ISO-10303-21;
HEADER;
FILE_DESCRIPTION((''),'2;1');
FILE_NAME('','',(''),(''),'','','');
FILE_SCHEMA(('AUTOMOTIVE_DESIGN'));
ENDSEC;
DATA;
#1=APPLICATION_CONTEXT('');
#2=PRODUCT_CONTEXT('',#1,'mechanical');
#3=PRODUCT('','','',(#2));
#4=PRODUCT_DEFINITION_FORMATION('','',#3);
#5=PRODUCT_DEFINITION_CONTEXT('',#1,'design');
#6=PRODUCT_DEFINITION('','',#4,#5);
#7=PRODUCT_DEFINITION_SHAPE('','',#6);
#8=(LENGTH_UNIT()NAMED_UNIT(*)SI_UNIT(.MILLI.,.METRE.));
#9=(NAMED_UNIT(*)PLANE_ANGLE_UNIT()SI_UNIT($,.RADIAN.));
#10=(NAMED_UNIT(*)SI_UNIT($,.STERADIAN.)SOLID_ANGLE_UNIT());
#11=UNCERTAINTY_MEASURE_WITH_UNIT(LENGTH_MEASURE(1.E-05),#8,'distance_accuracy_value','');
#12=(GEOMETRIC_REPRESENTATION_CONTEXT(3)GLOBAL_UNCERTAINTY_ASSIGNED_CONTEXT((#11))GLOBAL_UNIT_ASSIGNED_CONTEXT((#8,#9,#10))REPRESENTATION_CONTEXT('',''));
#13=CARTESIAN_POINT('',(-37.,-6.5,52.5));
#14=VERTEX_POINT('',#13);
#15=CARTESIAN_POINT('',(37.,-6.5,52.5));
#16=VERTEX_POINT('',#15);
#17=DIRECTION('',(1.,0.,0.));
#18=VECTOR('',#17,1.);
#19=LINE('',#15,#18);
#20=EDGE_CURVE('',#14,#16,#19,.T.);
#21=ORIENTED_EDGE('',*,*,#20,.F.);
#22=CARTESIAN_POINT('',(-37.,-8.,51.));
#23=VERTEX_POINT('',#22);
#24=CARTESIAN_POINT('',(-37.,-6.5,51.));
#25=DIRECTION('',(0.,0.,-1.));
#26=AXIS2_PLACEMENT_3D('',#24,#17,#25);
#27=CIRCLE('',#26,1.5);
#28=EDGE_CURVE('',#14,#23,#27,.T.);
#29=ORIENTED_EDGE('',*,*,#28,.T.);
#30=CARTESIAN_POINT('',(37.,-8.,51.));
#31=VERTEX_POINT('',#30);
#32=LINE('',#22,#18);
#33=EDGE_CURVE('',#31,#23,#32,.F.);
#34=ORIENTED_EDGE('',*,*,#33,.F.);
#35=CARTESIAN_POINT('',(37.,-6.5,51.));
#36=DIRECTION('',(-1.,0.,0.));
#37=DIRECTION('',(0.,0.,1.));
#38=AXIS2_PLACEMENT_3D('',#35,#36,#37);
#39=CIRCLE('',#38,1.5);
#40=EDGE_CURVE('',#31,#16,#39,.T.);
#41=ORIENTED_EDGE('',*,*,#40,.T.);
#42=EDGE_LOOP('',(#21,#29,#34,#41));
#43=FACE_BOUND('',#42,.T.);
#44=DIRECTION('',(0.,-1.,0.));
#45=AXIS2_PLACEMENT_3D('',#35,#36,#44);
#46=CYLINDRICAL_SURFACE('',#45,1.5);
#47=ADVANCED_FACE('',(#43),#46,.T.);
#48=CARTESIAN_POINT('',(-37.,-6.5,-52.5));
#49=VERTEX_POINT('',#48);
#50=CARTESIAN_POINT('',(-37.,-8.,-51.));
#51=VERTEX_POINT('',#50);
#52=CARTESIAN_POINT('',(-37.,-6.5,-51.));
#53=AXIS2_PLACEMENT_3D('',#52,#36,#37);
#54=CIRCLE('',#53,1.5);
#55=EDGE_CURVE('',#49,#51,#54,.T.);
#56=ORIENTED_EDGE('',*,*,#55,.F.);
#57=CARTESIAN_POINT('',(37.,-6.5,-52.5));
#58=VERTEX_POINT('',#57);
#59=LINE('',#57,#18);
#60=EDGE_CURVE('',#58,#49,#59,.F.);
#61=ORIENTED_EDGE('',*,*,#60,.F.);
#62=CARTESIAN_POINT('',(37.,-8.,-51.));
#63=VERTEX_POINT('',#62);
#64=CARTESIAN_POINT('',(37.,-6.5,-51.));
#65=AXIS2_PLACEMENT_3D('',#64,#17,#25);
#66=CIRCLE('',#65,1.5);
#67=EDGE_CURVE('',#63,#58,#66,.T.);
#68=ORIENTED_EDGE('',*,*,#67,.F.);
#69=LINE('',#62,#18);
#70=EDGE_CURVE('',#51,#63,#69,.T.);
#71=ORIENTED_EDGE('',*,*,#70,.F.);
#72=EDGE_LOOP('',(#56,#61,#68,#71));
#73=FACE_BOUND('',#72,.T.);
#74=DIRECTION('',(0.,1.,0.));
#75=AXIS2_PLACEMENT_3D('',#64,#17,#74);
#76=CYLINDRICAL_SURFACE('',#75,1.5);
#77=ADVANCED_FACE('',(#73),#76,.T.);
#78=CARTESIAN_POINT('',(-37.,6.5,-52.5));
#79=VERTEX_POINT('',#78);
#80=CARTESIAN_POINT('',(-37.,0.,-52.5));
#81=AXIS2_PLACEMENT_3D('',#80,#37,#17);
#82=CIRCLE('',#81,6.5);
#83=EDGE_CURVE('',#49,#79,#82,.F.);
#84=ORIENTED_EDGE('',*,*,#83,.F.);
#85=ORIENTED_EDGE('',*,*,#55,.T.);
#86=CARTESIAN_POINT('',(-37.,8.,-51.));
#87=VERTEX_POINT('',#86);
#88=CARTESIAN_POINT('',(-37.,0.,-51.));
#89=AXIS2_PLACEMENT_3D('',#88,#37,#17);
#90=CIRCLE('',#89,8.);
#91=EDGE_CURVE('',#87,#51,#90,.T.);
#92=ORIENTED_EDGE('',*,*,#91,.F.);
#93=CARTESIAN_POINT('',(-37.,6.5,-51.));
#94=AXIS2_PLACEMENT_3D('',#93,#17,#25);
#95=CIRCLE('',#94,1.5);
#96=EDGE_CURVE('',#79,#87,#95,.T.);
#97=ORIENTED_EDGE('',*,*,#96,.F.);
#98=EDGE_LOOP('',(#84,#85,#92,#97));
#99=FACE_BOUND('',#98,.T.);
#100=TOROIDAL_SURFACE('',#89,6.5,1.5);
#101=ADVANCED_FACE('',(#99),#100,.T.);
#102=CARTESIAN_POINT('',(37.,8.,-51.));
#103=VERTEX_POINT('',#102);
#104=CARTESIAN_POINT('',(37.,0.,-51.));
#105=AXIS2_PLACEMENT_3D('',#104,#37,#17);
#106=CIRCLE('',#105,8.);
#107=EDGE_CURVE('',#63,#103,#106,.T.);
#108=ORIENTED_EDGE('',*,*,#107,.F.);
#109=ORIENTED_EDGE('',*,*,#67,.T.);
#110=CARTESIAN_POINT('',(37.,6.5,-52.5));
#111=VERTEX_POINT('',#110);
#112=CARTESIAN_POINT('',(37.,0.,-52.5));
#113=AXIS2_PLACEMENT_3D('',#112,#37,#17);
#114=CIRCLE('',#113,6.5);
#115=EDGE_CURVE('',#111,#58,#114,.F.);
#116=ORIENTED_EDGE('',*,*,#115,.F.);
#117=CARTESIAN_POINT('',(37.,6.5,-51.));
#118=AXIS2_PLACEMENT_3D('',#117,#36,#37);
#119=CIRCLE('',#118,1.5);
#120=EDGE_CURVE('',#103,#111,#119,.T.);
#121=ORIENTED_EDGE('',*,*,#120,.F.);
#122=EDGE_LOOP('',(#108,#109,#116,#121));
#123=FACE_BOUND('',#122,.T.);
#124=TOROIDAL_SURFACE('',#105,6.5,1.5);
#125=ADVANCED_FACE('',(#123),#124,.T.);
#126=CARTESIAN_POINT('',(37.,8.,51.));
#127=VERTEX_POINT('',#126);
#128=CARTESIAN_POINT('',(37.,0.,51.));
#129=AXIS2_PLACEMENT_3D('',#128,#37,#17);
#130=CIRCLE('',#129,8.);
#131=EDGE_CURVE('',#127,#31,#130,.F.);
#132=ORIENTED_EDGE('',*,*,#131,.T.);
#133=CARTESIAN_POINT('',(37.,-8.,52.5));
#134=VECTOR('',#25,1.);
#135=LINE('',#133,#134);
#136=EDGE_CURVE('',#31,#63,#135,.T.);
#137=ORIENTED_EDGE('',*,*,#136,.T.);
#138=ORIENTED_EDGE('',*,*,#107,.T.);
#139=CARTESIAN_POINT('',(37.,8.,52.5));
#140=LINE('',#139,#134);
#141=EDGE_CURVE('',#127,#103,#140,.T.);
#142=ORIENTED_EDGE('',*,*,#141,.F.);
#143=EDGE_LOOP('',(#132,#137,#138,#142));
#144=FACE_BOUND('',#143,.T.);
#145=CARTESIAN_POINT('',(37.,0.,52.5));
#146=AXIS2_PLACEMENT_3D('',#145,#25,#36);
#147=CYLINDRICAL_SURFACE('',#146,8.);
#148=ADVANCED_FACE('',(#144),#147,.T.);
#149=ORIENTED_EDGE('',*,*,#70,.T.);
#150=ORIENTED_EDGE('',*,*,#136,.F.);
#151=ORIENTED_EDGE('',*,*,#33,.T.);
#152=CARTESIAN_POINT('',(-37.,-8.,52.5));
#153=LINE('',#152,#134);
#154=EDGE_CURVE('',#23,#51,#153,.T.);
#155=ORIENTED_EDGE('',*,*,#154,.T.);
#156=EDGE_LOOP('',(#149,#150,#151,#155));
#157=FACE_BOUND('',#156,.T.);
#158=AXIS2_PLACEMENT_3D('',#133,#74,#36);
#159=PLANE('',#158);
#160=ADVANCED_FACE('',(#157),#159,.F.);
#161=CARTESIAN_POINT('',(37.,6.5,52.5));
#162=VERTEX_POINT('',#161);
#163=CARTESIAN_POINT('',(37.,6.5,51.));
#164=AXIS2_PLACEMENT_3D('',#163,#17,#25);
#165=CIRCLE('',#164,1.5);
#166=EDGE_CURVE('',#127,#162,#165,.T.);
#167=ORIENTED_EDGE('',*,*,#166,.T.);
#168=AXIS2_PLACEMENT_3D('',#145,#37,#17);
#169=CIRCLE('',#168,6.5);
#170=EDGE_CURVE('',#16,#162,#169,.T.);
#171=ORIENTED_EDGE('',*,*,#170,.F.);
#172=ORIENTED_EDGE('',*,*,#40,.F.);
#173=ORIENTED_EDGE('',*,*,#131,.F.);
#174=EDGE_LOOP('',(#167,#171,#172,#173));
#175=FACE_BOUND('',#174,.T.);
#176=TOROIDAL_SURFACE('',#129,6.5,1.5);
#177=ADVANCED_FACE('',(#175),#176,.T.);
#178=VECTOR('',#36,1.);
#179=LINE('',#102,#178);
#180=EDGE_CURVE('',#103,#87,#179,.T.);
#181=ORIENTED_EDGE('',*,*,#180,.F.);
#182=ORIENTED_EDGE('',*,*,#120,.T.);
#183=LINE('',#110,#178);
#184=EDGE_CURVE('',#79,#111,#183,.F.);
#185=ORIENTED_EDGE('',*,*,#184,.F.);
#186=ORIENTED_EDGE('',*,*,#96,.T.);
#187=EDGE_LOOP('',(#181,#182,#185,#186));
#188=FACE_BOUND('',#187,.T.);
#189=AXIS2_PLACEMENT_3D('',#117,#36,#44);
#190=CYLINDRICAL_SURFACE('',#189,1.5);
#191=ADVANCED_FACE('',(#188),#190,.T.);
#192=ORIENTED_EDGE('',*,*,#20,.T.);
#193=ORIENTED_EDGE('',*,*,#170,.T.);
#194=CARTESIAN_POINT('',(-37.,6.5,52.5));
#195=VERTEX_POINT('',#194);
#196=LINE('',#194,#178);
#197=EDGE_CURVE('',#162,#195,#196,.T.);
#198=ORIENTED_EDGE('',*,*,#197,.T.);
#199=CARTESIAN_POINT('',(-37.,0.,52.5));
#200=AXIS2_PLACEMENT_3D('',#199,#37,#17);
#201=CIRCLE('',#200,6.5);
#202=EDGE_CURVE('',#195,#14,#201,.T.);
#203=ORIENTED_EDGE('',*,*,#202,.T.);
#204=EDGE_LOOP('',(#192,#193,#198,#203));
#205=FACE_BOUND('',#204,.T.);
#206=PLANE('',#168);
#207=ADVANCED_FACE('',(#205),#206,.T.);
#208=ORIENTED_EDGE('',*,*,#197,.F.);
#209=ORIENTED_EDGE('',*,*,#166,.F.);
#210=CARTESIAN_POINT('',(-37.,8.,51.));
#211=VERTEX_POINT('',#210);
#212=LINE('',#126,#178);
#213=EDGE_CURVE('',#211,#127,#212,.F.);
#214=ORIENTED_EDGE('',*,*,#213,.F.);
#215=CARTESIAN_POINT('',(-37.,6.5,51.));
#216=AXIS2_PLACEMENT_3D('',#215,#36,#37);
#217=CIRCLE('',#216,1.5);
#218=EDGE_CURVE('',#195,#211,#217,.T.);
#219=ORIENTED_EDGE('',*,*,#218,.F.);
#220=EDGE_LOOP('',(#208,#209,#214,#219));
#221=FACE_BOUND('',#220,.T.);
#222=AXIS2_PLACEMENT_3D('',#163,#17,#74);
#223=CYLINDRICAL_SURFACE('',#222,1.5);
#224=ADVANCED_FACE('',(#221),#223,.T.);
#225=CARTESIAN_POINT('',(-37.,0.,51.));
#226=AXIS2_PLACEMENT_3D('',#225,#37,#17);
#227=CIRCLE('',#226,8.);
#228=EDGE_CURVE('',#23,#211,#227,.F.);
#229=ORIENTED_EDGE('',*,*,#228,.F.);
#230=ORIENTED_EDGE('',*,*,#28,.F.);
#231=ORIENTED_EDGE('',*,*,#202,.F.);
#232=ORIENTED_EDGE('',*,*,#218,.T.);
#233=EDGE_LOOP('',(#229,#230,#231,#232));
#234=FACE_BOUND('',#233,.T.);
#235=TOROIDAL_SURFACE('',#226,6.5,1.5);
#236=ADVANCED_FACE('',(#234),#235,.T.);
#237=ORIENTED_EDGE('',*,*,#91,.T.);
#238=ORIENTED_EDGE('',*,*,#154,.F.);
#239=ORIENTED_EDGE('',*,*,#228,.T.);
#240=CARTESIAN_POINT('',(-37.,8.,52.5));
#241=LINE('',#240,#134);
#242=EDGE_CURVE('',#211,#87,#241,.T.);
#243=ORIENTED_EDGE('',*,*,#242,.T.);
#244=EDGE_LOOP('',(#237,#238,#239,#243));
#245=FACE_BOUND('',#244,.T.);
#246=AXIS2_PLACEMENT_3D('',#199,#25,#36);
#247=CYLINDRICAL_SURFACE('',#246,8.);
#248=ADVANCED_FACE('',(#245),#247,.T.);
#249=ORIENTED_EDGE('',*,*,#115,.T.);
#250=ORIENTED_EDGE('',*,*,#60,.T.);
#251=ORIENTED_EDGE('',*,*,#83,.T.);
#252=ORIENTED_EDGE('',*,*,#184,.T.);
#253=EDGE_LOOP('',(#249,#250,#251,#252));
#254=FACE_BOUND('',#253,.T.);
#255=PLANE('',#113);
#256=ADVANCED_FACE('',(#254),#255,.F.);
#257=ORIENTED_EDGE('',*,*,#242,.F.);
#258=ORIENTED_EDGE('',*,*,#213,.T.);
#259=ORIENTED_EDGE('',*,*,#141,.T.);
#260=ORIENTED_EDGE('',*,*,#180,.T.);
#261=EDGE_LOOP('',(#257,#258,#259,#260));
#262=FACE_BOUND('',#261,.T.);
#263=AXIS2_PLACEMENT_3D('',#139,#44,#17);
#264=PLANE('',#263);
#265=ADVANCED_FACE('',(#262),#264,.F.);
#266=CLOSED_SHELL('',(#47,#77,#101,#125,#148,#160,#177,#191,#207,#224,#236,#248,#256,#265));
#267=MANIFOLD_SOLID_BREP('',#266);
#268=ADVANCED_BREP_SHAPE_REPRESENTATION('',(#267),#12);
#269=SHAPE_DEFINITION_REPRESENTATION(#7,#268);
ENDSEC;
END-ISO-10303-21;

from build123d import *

# Parameters (mm, degrees)
EXTRUDE1_DEPTH = 52.5
FILLET1_R      = 1.5


with BuildPart() as part:
    # Sketch1 → Extrude1 (new body, symmetric)
    with BuildSketch(Plane.XY):
        with BuildLine():
            Line((37, -8), (-37, -8))
            ThreePointArc((-37, -8), (-45, 0), (-37, 8))
            Line((-37, 8), (37, 8))
            ThreePointArc((37, 8), (45, 0), (37, -8))
        make_face()
    extrude(amount=EXTRUDE1_DEPTH, both=True)

    # Fillet1
    fillet1_edges = [part.edges().sort_by_distance(p)[0] for p in [
        (-45, 0, 52.5),
        (0, -8, 52.5),
        (45, 0, 52.5),
        (0, -8, -52.5),
        (-45, 0, -52.5),
        (0, 8, -52.5),
        (45, 0, -52.5),
        (0, 8, 52.5),
    ]]
    fillet(fillet1_edges, radius=FILLET1_R)


solid = part.part
